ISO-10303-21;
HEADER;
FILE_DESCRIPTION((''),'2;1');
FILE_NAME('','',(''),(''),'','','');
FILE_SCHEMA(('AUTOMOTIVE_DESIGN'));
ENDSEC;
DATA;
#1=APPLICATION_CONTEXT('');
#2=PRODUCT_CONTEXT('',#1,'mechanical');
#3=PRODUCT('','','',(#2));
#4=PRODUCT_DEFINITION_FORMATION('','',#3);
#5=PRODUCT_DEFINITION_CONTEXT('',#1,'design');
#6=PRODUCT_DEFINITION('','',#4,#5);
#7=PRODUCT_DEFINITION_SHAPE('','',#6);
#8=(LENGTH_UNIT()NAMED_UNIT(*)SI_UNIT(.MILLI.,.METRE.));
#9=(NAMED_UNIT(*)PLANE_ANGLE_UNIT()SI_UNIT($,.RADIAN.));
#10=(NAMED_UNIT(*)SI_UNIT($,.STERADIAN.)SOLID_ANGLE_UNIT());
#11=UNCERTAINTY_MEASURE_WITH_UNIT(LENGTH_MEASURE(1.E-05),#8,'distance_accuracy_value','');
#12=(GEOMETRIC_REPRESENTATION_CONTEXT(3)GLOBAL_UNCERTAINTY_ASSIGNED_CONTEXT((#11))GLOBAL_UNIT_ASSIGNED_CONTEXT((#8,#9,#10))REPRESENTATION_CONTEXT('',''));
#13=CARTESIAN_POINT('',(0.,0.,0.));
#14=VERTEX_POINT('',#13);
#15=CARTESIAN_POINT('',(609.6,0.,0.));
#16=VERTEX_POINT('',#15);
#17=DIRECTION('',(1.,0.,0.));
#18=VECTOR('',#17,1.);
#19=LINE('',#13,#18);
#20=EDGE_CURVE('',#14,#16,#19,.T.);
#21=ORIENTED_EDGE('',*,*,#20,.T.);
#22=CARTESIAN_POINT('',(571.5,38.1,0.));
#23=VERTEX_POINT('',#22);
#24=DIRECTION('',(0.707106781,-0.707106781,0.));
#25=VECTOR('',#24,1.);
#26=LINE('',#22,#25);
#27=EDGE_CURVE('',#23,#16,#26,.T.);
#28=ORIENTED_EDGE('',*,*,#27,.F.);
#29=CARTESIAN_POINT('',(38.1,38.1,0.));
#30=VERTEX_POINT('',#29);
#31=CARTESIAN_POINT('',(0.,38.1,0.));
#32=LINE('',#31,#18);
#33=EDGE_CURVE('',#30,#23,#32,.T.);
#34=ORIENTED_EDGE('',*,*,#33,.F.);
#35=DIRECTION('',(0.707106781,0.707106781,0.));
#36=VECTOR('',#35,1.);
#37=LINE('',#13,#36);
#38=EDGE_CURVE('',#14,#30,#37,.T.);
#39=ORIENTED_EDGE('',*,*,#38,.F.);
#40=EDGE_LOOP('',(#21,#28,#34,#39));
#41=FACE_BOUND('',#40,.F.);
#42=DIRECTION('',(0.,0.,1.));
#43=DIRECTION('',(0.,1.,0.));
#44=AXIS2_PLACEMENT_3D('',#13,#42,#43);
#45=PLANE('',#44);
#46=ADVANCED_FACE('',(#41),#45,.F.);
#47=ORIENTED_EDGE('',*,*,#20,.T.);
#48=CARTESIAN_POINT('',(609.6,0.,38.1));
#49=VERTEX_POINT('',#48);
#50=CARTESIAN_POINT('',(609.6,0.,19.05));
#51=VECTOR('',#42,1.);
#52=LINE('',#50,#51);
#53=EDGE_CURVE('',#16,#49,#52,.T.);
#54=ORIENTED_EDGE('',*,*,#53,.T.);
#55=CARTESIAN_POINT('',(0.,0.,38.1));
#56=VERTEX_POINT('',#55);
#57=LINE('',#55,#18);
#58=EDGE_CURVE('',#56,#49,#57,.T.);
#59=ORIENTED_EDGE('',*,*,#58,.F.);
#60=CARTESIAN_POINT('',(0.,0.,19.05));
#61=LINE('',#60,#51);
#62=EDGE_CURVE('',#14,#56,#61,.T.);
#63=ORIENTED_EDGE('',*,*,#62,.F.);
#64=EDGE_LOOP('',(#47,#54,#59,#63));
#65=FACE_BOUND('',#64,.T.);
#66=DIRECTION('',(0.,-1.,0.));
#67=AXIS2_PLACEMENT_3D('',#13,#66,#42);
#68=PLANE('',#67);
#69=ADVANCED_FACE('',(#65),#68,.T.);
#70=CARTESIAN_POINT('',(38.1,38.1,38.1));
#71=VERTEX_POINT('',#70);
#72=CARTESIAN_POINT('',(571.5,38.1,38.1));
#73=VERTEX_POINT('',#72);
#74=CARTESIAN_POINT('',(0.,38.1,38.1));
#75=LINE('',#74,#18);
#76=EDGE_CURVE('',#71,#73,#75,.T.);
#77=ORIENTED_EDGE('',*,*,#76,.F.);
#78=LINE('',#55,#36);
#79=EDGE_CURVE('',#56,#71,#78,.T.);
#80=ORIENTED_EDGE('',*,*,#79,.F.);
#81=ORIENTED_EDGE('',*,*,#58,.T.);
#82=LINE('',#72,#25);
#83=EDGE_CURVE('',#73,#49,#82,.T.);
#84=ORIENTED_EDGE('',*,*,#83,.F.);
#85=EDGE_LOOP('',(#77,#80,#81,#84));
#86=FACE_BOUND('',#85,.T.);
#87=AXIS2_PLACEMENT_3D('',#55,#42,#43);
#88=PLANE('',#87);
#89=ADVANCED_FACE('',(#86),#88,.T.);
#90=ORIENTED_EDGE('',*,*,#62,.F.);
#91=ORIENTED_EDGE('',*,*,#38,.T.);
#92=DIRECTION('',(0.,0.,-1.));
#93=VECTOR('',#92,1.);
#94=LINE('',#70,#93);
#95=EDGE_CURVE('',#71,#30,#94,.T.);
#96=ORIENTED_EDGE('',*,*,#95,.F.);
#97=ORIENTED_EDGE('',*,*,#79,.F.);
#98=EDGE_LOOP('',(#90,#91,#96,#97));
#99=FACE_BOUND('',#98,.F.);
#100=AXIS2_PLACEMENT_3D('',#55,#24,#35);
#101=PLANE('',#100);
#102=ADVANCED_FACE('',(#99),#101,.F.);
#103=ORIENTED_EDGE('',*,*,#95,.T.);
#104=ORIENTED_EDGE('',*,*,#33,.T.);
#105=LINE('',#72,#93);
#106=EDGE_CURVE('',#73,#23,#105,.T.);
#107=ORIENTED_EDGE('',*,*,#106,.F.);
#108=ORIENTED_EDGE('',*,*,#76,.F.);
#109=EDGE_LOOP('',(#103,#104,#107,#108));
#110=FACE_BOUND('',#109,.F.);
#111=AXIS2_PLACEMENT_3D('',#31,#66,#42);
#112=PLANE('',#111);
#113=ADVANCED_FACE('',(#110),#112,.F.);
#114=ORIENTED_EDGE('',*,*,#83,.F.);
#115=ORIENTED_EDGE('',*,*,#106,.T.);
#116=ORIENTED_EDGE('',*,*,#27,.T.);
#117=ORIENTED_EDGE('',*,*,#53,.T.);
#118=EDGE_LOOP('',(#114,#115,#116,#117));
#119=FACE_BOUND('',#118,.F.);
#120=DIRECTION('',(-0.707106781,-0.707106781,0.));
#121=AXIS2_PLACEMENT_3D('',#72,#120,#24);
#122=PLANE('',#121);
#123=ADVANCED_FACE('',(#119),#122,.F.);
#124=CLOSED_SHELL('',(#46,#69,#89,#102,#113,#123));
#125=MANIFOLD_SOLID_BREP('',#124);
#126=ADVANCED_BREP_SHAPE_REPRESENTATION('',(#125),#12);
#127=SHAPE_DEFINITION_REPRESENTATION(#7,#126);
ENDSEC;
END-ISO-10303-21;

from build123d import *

# Parameters (mm, degrees)
F0_W     = 38.1
F0_H     = 38.1
F1_DEPTH = 609.6
F3_DEPTH = 38.1


with BuildPart() as f1:
    # F0 (on Right) → F1 (new body)
    with BuildSketch(Plane.YZ):
        with Locations((19.05, 19.05)):
            Rectangle(F0_W, F0_H)
    extrude(amount=F1_DEPTH)

    # F2 (on face) → F3 (cut)
    with BuildSketch(Plane.XY.offset(38.1)):
        Polygon((0, 38.1), (0, 0), (38.1, 38.1), align=None)
        Polygon((571.5, 38.1), (609.6, 0), (609.6, 38.1), align=None)
    extrude(amount=-F3_DEPTH, mode=Mode.SUBTRACT)


solid = f1.part
